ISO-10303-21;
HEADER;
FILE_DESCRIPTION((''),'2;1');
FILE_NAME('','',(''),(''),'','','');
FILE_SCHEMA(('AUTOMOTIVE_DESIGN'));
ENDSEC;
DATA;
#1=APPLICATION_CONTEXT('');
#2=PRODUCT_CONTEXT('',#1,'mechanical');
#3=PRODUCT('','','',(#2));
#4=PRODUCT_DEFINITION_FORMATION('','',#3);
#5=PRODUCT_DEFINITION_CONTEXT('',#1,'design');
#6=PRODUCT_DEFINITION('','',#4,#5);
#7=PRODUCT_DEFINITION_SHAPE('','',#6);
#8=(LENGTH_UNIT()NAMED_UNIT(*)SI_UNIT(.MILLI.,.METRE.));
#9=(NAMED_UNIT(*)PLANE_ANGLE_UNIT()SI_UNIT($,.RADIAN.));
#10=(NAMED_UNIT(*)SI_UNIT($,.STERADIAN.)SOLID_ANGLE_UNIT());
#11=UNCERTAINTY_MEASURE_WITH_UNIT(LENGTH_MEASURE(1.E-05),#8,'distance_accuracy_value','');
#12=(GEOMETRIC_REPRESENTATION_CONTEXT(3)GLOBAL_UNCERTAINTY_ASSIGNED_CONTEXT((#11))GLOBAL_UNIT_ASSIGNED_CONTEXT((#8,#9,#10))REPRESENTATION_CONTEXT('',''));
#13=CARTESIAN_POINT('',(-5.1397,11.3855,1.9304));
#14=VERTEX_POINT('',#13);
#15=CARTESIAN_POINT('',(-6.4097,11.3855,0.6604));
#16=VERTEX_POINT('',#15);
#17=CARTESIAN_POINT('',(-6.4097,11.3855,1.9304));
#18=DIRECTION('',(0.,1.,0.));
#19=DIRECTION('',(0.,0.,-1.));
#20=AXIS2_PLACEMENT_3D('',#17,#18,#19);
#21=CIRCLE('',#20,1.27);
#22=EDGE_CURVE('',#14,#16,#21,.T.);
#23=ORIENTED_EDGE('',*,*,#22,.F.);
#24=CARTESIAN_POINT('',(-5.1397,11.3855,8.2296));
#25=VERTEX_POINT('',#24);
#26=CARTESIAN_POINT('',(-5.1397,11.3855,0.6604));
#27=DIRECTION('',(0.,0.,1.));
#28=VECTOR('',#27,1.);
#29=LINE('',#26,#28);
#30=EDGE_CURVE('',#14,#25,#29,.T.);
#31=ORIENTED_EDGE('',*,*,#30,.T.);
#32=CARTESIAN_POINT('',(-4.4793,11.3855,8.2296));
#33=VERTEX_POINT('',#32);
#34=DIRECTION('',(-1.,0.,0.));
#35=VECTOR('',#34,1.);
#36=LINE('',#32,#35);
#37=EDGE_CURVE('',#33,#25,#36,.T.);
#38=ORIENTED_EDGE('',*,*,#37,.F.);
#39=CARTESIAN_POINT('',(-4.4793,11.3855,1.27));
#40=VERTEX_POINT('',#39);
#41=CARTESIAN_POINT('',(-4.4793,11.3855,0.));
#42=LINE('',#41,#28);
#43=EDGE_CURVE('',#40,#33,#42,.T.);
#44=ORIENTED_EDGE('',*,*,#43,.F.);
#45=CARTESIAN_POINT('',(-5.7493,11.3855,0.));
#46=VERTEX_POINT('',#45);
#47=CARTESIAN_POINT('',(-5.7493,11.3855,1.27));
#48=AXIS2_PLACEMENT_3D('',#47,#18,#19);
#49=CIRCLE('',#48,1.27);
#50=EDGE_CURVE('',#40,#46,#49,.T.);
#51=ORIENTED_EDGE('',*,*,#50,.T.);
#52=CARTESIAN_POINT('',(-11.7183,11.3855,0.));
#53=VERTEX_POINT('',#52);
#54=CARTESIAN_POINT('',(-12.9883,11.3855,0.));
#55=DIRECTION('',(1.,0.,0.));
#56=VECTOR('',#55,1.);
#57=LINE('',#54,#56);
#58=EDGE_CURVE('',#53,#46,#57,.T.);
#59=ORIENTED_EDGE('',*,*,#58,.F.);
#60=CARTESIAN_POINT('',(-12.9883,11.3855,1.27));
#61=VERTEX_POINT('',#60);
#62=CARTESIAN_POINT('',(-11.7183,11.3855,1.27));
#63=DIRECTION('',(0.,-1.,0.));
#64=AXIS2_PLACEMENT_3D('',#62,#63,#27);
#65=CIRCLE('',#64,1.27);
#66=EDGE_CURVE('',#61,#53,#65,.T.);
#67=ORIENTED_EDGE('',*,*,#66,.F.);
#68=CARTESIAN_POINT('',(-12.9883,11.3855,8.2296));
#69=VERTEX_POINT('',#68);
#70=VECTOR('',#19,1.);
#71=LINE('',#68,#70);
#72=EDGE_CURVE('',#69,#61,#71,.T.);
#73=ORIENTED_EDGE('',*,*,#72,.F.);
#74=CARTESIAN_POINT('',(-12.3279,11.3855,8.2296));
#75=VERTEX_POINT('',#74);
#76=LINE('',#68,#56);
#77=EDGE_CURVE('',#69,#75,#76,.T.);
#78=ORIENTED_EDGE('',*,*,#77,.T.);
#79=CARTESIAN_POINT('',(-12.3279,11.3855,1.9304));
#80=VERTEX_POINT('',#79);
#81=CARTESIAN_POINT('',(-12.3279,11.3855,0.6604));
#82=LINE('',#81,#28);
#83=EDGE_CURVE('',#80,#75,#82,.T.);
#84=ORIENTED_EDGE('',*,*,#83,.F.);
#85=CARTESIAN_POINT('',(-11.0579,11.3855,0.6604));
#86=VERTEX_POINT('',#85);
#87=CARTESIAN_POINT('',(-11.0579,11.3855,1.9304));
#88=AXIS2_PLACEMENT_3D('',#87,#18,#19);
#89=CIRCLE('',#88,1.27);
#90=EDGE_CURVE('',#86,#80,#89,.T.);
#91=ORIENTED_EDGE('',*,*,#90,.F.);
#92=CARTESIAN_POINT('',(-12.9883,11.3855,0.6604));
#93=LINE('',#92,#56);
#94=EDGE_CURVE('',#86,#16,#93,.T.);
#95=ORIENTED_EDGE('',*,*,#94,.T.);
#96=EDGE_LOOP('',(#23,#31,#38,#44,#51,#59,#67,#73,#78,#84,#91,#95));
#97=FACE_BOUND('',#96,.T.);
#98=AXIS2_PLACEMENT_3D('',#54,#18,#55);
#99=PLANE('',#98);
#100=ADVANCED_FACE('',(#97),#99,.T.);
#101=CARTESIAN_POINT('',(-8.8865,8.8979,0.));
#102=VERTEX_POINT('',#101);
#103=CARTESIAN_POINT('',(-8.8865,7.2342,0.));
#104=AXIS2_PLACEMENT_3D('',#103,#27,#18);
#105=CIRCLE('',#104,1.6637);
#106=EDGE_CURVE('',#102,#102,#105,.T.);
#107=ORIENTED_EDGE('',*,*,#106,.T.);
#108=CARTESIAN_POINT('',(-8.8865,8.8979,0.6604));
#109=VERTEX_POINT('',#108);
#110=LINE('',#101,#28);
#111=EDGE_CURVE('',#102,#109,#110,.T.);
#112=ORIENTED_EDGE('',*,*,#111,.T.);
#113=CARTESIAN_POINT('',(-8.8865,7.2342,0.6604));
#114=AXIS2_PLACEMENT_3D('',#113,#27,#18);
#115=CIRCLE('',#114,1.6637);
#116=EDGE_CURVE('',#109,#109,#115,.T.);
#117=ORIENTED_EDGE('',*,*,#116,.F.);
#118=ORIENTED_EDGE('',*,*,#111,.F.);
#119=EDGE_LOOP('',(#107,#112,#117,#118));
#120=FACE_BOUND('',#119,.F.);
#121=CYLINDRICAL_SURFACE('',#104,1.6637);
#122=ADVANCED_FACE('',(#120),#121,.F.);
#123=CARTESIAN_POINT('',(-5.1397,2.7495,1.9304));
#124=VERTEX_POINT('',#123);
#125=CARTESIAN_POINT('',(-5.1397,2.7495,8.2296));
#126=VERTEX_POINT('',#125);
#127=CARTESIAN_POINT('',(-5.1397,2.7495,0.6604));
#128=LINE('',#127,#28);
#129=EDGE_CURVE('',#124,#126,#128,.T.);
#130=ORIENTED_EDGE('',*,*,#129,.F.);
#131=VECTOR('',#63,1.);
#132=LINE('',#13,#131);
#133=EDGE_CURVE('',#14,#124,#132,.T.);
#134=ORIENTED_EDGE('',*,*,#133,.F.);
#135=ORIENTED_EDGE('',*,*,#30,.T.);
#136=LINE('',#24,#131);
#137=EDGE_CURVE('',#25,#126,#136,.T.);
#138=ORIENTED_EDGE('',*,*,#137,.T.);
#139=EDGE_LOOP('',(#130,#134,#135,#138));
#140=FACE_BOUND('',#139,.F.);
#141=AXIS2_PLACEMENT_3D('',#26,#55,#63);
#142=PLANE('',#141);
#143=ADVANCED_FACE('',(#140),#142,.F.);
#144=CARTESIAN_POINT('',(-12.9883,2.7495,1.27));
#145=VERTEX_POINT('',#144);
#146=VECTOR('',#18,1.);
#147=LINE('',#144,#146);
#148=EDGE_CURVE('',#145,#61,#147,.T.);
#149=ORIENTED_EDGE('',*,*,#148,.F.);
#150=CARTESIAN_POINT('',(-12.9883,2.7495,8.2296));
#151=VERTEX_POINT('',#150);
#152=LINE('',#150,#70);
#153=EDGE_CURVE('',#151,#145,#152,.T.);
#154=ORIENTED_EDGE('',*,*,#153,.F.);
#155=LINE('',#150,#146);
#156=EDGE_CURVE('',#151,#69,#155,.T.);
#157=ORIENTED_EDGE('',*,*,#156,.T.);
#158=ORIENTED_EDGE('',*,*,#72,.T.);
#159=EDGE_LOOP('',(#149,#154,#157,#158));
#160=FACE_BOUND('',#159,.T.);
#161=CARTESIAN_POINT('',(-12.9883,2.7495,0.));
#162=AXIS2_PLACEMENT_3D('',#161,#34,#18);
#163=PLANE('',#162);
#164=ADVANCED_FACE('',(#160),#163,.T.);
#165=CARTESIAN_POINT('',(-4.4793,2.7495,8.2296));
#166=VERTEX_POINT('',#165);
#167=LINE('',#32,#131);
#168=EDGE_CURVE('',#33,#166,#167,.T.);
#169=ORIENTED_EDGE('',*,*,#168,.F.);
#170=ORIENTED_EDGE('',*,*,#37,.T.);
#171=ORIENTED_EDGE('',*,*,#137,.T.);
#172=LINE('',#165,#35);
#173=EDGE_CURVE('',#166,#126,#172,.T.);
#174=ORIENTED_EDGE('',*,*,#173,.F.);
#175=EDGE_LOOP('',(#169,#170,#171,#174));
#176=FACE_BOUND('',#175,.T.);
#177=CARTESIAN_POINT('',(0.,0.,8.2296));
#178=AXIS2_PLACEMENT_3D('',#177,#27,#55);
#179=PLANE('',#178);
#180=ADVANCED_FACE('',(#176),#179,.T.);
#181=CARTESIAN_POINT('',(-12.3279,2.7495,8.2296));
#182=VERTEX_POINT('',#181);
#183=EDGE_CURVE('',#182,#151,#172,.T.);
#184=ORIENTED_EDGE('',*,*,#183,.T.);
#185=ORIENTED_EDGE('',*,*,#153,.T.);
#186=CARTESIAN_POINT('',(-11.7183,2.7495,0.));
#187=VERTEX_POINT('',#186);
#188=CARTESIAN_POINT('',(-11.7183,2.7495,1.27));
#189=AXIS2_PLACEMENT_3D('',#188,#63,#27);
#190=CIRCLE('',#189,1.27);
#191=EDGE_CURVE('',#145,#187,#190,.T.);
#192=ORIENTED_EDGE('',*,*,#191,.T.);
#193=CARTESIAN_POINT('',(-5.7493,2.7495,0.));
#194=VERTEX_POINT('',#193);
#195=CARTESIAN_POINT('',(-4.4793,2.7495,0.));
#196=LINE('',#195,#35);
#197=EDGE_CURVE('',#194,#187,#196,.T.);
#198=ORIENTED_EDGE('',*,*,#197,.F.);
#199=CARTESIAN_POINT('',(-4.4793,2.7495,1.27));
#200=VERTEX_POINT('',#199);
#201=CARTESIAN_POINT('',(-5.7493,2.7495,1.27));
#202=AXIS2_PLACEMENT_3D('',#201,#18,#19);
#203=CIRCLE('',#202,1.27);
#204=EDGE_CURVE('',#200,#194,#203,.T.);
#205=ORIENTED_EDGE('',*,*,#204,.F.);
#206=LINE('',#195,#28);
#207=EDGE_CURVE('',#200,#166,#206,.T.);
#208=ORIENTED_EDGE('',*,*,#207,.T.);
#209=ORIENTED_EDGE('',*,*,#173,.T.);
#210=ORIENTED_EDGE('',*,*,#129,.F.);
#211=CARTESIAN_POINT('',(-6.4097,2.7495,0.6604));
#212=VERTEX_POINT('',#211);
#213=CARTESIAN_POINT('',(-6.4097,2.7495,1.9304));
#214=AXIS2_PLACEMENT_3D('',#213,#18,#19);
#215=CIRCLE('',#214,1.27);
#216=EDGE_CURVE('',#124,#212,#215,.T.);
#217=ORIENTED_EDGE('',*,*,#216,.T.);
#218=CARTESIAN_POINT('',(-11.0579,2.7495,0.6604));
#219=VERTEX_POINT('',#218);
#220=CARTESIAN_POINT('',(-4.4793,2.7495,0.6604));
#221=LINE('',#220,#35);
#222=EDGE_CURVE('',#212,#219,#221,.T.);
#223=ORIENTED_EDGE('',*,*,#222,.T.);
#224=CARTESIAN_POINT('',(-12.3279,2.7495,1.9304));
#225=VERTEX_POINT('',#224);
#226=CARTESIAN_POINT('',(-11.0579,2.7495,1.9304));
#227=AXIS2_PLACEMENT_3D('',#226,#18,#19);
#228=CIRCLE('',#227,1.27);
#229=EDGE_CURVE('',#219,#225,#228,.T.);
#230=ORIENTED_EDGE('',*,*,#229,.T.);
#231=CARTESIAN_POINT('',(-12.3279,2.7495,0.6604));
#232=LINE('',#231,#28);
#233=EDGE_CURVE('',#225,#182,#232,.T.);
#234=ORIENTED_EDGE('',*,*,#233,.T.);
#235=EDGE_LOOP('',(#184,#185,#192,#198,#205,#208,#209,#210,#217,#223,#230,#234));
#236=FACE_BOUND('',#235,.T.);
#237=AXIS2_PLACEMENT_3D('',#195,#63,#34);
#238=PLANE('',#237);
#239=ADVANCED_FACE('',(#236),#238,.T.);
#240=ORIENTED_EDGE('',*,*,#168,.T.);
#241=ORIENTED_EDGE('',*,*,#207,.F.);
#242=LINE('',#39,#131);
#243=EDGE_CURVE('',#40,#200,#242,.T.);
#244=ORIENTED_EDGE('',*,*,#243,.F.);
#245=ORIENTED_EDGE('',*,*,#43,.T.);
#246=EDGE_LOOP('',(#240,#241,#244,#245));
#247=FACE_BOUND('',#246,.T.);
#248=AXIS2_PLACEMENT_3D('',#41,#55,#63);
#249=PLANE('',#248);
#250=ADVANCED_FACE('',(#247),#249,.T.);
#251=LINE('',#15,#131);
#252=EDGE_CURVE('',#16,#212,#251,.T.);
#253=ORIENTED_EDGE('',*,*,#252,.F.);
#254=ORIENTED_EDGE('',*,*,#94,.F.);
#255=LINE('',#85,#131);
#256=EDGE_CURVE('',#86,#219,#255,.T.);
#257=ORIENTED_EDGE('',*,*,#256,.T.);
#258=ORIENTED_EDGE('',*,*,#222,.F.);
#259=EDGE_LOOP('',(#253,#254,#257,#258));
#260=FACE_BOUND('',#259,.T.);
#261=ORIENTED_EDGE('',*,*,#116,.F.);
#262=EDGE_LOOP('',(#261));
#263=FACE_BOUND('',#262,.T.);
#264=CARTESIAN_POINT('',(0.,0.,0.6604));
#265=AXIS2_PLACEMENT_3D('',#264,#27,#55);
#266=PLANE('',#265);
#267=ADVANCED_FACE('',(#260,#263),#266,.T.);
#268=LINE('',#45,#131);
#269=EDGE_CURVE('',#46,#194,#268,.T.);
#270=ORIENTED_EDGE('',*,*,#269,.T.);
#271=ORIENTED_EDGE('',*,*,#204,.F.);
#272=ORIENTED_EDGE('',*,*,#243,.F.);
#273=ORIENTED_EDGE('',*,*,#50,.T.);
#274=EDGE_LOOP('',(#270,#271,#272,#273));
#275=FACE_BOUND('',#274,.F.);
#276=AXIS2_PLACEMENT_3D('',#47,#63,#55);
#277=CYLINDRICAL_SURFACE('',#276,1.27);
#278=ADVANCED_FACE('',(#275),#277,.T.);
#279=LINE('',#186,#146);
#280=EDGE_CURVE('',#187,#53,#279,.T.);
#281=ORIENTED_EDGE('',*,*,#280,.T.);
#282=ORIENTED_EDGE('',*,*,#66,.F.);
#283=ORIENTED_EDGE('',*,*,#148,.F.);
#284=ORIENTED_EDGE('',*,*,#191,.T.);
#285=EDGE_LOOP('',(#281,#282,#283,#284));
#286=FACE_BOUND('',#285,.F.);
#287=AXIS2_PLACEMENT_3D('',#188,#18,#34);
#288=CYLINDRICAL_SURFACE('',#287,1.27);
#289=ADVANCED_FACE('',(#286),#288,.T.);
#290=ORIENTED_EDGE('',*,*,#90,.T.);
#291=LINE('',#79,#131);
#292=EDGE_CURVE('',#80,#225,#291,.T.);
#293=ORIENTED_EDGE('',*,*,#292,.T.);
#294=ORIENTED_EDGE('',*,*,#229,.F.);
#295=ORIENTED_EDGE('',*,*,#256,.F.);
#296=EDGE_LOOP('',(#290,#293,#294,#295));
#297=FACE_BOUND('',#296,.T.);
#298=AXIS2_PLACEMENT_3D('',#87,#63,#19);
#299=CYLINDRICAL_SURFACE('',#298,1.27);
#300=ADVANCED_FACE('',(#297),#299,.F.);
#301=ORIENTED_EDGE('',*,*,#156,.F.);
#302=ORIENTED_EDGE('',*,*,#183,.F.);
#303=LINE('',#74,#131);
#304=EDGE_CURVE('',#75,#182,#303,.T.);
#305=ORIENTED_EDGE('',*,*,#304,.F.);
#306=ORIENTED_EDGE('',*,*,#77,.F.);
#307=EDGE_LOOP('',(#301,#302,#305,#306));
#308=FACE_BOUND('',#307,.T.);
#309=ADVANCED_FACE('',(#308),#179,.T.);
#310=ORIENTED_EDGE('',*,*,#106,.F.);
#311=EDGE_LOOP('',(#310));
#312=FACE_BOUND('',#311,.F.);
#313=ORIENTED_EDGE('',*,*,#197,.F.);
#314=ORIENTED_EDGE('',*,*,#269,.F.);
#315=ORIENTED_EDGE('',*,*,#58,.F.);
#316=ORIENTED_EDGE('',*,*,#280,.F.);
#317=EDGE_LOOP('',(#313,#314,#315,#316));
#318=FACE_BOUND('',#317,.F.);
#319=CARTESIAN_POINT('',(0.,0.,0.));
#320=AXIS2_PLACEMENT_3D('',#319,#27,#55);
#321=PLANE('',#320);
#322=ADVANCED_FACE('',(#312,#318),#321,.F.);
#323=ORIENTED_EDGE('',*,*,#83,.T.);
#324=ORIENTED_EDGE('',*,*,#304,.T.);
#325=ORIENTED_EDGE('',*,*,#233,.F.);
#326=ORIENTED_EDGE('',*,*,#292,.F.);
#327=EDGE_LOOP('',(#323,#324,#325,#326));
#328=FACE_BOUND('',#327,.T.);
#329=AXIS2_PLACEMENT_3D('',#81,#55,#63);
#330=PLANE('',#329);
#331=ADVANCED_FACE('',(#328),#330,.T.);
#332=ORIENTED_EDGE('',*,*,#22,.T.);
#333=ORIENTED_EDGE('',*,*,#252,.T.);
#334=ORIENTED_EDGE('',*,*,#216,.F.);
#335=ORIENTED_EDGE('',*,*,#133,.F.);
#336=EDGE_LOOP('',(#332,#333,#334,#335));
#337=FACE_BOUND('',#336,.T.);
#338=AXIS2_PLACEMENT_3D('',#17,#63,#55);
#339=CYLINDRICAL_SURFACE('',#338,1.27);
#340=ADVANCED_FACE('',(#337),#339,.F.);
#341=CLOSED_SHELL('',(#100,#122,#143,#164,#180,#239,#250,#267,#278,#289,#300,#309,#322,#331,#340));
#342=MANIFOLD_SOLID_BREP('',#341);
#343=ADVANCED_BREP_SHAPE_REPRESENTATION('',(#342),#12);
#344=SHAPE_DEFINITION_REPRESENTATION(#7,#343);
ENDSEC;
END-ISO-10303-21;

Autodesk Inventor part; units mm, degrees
ref_plane "YZ Plane" through (0, 0, 0) normal (1, 0, 0) x (0, 1, 0)
ref_plane "XZ Plane" through (0, 0, 0) normal (0, 1, 0) x (-1, 0, 0)
ref_plane "XY Plane" through (0, 0, 0) normal (0, 0, 1) x (1, 0, 0)
sketch "Sketch1" plane through (0, 0, 0) normal (0, 0, 1) x (1, 0, 0)
  line L0 (-4.4793, 2.7495) -> (-12.9883, 2.7495)
  line L1 (-12.9883, 2.7495) -> (-12.9883, 11.3855)
  line L2 (-12.9883, 11.3855) -> (-4.4793, 11.3855)
  line L3 (-4.4793, 11.3855) -> (-4.4793, 2.7495)
  dimension "d0" = 8.509
  dimension "d1" = 8.636
extrude "Extrusion1" add sketch "Sketch1" along normal blind 0.6604
sketch "Sketch2" plane through (0, 0, 0.6604) normal (0, 0, 1) x (1, 0, 0)
  line L0 (-12.9883, 2.7495) -> (-12.9883, 11.3855) projected
  line L1 (-4.4793, 2.7495) -> (-12.9883, 2.7495) projected
  line L2 (-4.4793, 11.3855) -> (-4.4793, 2.7495) projected
  line L3 (-12.9883, 11.3855) -> (-12.3279, 11.3855)
  line L4 (-12.3279, 11.3855) -> (-12.3279, 2.7495)
  line L5 (-12.3279, 2.7495) -> (-12.9883, 2.7495)
  line L6 (-12.9883, 2.7495) -> (-12.9883, 11.3855)
  line L7 (-4.4793, 11.3855) -> (-5.1397, 11.3855)
  line L8 (-5.1397, 11.3855) -> (-5.1397, 2.7495)
  line L9 (-5.1397, 2.7495) -> (-4.4793, 2.7495)
  line L10 (-4.4793, 2.7495) -> (-4.4793, 11.3855)
  dimension "d4" = 0.6604
  dimension "d5" = 0.6604
extrude "Extrusion2" add sketch "Sketch2" along normal blind 7.5692
fillet "Fillet1" radius 1.27 2 edges at (-4.4793, 7.0675, 0) (-12.9883, 7.0675, 0)
fillet "Fillet2" radius 1.27 2 edges at (-12.3279, 7.0675, 0.6604) (-5.1397, 7.0675, 0.6604)
sketch "Sketch3" plane through (0, 0, 0) normal (0, 0, -1) x (-1, 0, 0)
  point P0 (8.8865, 7.2342)
hole "Hole1" at (-8.8865, 7.2342, 0) direction (0, 0, 1) diameter 3.3274 depth 19.05 tip angle 118
sketch "Sketch4" plane through (0, 0, 0) normal (0, 0, -1) x (-1, 0, 0)
  circle A0 centre (8.8865, 7.2342) radius 1.6637 projected
properties part number "2009_CTS_UClip" material "Aluminum-6061"
